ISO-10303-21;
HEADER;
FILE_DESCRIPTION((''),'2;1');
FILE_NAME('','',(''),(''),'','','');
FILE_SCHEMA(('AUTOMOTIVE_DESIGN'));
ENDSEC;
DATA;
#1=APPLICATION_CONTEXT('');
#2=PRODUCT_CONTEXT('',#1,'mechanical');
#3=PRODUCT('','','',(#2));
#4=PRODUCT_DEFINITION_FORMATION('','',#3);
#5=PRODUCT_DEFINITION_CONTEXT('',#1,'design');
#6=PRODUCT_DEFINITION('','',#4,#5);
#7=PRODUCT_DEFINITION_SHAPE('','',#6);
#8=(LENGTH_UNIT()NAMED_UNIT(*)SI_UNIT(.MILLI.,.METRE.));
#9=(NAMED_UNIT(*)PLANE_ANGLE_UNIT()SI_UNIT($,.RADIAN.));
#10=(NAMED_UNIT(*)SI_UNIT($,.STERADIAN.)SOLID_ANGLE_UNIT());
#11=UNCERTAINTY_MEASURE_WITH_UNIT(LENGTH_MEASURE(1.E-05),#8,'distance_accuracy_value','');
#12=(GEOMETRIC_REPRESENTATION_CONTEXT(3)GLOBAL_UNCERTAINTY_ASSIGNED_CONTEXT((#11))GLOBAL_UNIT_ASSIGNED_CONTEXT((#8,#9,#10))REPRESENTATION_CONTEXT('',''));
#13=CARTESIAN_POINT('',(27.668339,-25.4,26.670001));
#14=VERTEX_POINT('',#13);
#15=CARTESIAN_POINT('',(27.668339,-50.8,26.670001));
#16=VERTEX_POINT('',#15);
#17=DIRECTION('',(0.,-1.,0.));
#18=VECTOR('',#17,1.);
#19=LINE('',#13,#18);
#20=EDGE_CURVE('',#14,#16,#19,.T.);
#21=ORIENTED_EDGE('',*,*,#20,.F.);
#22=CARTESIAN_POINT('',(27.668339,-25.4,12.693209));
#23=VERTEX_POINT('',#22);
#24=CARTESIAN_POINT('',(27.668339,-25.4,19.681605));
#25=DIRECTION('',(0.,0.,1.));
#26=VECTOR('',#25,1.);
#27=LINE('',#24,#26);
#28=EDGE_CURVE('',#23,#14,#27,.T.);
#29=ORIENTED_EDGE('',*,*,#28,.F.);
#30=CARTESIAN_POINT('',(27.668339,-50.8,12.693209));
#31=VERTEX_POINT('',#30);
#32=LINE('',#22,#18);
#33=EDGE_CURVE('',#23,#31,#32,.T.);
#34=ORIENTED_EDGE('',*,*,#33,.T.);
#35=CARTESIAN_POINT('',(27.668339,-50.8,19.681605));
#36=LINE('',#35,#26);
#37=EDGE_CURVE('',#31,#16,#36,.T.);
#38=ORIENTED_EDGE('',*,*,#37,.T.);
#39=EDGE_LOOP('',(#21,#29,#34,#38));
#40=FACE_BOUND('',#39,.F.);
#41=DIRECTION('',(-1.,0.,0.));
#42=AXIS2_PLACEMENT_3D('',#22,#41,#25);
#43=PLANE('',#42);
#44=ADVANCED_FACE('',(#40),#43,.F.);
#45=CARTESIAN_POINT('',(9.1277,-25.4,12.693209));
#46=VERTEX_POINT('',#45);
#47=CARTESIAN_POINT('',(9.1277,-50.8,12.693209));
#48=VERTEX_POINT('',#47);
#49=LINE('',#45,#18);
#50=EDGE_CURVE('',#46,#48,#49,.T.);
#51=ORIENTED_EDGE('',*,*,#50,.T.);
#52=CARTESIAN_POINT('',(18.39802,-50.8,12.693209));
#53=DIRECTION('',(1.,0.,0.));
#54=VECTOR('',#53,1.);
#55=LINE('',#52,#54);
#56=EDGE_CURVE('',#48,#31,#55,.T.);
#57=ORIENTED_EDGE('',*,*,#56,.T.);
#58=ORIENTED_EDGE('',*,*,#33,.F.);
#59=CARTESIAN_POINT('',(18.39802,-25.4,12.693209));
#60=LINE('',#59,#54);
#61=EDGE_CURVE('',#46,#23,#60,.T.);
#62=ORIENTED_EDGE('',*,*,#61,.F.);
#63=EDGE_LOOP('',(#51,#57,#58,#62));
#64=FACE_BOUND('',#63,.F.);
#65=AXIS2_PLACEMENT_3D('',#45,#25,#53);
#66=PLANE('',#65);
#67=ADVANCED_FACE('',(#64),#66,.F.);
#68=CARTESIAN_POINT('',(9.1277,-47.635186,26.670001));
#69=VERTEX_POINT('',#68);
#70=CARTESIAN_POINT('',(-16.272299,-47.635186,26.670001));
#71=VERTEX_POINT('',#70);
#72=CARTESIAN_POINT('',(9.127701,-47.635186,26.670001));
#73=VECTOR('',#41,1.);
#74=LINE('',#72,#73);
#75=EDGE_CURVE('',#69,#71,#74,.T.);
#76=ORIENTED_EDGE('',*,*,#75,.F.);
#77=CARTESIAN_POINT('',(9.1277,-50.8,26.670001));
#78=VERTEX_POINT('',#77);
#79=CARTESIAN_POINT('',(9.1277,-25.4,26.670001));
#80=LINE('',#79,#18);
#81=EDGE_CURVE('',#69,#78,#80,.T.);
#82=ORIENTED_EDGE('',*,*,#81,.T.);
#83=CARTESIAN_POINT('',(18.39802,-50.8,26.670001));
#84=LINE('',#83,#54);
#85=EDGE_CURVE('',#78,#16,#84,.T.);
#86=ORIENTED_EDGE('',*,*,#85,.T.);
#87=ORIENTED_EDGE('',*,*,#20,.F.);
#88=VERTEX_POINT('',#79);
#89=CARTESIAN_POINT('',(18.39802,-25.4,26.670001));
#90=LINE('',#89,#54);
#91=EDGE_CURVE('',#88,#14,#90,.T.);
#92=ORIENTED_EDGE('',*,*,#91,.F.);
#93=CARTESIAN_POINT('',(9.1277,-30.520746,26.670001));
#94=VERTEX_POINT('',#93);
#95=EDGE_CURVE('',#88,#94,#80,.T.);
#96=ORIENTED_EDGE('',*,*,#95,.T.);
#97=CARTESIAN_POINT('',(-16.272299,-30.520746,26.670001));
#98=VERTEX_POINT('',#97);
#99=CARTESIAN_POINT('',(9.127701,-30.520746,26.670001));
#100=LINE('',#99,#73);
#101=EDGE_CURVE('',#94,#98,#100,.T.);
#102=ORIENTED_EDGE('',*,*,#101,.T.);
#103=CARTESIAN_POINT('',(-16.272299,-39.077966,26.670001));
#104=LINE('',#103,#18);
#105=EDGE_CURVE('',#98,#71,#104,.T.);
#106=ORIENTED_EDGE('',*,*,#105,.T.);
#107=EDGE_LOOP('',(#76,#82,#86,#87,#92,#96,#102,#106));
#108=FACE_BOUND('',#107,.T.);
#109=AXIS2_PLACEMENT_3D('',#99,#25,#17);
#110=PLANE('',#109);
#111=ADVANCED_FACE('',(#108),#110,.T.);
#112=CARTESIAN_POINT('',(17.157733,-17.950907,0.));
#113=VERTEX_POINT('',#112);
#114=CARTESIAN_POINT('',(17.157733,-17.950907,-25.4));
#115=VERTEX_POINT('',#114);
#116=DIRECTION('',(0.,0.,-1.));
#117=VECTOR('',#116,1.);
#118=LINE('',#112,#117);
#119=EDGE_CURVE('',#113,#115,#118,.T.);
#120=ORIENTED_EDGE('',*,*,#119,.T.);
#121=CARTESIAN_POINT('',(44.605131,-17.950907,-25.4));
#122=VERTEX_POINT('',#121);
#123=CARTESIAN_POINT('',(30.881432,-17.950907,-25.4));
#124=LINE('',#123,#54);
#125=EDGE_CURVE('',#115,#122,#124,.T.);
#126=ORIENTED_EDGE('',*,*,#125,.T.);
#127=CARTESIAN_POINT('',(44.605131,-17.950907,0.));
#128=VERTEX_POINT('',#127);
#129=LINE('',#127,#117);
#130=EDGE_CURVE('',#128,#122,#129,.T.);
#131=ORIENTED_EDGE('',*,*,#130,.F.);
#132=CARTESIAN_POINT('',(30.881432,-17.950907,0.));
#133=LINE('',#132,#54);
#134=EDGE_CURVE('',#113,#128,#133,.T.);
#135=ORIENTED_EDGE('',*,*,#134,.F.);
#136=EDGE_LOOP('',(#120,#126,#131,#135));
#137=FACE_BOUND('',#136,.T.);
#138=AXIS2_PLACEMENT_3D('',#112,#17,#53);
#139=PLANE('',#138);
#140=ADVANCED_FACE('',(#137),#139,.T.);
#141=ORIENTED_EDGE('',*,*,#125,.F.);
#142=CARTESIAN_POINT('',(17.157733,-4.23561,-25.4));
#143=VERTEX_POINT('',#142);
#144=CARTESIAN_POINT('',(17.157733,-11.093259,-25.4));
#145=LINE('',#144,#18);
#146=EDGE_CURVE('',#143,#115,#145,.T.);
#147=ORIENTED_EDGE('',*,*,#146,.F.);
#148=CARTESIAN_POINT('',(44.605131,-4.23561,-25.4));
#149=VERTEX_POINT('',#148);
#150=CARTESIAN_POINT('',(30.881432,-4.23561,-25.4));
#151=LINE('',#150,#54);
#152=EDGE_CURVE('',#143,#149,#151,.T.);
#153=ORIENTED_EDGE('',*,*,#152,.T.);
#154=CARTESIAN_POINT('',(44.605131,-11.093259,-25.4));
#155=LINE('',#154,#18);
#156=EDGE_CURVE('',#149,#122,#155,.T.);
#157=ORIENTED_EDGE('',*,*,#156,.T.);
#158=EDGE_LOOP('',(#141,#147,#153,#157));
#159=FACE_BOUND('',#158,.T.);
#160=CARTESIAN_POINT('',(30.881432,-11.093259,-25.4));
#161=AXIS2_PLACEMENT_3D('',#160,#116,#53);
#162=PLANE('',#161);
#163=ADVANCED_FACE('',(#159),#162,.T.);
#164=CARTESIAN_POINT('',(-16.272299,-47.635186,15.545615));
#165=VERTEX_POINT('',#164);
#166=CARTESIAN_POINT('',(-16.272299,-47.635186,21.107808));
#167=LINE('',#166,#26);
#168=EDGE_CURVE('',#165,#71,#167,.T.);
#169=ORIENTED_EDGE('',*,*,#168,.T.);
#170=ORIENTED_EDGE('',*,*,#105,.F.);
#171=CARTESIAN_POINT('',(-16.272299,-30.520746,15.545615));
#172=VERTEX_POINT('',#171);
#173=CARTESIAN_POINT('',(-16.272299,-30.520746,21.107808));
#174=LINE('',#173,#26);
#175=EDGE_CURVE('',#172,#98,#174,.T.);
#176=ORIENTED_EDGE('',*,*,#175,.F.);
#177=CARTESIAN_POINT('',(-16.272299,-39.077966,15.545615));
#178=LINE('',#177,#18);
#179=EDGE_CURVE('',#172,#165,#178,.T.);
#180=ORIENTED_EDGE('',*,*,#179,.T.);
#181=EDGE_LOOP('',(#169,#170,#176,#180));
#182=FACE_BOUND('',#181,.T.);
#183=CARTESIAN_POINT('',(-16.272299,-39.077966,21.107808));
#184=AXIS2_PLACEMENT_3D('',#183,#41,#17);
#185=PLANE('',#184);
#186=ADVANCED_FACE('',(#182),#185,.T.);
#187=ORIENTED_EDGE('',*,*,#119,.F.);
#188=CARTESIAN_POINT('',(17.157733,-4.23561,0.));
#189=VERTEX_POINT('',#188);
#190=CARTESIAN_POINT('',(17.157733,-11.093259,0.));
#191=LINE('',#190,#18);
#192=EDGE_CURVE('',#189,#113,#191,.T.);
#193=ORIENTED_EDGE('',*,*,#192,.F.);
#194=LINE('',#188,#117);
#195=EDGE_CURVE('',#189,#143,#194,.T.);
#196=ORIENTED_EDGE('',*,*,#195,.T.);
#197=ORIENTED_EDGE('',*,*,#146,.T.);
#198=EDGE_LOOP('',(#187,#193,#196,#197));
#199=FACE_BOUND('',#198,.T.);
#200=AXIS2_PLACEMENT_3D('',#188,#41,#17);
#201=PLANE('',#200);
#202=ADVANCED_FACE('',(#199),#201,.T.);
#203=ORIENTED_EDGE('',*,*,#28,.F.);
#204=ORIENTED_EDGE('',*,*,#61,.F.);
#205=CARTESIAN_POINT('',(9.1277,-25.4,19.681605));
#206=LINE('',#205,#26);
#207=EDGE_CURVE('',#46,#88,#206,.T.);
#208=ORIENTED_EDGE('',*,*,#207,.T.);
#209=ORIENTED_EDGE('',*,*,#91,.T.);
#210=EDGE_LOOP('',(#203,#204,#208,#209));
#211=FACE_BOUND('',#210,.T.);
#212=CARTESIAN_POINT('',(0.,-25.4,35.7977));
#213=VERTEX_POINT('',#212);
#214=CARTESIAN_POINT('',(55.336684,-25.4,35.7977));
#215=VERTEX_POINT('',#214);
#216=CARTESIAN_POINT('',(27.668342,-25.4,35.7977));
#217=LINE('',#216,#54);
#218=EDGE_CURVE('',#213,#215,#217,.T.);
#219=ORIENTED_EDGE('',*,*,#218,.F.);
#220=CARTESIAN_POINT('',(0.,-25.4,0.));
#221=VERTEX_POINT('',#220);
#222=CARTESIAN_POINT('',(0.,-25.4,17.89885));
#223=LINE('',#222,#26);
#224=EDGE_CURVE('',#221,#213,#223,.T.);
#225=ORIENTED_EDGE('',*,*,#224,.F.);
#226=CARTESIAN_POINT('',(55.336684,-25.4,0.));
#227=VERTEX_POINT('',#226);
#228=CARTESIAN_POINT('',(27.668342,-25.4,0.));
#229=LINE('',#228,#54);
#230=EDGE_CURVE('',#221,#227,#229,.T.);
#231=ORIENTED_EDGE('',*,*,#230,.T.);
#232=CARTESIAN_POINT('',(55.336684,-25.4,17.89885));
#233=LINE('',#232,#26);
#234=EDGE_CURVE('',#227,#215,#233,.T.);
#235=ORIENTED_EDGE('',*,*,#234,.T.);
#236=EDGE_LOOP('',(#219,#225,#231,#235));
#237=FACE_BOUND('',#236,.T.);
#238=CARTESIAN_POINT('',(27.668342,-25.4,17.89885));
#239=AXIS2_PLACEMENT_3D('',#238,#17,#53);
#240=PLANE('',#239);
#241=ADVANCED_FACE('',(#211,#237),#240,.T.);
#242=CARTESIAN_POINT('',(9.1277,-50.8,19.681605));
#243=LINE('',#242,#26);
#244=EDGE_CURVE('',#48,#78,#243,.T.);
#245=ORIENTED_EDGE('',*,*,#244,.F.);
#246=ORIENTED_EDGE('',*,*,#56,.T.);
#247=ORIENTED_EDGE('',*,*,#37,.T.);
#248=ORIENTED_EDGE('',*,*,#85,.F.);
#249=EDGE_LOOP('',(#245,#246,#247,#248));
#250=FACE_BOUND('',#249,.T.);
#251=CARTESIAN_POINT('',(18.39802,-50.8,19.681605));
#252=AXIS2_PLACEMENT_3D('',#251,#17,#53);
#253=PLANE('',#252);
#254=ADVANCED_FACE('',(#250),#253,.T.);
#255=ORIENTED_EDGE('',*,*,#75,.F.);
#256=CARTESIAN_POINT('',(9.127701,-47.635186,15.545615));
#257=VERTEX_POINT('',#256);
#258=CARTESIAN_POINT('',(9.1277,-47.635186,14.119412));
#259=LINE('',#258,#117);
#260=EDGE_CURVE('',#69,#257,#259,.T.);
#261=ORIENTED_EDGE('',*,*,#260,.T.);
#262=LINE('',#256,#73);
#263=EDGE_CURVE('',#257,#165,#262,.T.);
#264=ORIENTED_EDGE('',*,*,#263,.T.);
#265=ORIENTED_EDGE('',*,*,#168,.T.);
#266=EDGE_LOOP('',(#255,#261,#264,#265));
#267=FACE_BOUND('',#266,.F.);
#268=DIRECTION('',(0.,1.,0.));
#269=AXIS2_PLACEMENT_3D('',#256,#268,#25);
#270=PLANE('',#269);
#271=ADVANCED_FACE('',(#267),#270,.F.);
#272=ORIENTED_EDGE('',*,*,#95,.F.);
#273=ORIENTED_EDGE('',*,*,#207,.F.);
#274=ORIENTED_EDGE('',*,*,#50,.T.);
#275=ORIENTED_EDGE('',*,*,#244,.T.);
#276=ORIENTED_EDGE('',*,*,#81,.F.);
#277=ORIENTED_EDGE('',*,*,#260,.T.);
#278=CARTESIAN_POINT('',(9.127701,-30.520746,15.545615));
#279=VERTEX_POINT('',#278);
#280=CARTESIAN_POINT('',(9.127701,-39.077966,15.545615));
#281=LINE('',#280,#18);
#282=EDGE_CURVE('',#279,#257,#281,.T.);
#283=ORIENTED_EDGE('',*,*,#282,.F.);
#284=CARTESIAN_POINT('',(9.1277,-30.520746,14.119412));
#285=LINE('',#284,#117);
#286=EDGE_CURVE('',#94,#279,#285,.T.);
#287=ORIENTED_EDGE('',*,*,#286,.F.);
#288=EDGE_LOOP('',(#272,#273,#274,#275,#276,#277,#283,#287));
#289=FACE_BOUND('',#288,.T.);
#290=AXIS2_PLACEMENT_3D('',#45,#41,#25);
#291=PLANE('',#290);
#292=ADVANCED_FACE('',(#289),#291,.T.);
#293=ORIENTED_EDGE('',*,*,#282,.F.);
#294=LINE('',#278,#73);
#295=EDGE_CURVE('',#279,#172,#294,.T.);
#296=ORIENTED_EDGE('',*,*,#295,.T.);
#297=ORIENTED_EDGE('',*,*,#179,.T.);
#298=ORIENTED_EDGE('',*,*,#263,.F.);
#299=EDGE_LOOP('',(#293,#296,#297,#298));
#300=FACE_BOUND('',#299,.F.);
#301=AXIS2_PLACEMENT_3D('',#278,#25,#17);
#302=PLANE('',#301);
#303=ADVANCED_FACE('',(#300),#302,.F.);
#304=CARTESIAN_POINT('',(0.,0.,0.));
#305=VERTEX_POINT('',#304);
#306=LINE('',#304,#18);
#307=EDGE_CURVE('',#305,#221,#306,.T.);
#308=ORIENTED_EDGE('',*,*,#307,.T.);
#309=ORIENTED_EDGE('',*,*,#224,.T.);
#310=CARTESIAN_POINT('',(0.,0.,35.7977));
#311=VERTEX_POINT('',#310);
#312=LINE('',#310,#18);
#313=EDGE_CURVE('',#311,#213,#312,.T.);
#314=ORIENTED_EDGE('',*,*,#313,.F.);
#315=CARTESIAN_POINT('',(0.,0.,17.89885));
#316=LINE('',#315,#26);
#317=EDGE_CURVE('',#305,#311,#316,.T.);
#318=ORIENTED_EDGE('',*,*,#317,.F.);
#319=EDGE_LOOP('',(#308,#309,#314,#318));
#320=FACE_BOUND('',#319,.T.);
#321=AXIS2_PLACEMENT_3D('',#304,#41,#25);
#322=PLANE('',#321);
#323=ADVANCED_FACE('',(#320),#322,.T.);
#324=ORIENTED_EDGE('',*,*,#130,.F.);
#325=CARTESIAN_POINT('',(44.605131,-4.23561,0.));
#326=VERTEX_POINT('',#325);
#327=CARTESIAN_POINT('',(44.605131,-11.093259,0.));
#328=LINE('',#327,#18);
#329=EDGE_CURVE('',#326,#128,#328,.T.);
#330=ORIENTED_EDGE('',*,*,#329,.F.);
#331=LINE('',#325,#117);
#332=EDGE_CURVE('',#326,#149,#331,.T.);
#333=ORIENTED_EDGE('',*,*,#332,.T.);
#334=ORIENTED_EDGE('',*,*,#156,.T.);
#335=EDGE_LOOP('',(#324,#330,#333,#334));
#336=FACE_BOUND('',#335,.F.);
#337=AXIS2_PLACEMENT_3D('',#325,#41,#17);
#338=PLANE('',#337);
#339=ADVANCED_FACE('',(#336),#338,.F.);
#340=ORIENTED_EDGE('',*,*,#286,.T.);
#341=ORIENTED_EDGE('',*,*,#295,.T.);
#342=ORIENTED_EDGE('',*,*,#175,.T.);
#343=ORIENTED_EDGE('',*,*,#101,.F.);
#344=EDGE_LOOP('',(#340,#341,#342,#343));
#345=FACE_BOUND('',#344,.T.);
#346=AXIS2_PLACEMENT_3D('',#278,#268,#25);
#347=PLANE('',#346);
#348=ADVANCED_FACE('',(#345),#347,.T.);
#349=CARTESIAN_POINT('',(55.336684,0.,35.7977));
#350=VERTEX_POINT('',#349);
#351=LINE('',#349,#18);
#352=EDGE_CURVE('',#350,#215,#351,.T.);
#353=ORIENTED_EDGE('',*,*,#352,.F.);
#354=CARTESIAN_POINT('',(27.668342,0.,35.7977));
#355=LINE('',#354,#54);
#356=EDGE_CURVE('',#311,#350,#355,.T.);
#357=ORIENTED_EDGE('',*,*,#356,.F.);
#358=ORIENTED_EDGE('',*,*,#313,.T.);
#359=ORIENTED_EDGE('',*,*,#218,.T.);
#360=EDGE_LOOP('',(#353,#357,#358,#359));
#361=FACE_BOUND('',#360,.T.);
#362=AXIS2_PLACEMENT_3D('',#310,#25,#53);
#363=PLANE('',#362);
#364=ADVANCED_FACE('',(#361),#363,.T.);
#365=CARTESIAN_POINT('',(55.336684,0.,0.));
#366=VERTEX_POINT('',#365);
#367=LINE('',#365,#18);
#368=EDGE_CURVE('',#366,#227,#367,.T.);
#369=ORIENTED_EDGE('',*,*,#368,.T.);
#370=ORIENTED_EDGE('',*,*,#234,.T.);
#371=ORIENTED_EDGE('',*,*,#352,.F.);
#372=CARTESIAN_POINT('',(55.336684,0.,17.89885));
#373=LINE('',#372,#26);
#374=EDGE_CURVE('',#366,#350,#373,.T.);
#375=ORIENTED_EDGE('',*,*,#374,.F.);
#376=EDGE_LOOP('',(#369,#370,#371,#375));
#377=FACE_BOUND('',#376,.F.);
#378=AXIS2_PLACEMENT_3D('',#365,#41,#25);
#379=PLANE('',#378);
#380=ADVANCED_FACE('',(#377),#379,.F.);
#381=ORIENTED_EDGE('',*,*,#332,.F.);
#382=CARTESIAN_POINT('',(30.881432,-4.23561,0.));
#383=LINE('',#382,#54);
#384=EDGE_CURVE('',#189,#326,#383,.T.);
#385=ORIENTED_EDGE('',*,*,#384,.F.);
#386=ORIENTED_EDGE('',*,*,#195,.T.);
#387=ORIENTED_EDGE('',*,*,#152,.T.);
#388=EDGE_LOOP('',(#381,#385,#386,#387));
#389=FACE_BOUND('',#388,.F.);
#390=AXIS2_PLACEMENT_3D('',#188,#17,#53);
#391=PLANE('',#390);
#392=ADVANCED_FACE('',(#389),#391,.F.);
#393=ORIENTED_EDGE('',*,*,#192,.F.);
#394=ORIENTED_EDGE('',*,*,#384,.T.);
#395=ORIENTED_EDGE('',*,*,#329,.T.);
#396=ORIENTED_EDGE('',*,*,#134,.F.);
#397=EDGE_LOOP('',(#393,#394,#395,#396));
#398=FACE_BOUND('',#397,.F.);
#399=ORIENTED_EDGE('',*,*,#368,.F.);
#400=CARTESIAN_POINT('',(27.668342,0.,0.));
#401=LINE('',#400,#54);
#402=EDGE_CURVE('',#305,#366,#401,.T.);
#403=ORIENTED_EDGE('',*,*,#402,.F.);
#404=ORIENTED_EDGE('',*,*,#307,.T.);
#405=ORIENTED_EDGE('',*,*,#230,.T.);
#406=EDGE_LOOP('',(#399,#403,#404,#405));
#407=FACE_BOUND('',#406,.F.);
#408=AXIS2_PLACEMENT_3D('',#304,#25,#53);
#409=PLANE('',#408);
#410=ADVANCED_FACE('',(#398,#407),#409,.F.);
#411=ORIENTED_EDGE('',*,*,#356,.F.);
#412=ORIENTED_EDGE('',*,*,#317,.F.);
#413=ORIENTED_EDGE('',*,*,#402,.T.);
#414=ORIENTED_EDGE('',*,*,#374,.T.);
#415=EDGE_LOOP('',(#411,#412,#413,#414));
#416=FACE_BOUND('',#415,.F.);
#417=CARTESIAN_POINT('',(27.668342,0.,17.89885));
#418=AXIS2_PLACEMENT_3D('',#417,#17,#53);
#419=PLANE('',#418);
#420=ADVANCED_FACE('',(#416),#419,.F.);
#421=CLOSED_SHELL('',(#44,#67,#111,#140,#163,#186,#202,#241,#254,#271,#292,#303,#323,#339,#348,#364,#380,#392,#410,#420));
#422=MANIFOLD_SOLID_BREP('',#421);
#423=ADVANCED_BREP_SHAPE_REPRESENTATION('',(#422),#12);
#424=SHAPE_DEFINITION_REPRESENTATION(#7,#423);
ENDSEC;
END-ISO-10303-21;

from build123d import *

# Parameters (mm, degrees)
F0_W     = 55.336684
F0_H     = 35.7977
F1_DEPTH = 25.4
F2_W     = 18.540639
F2_H     = 13.976792
F3_DEPTH = 25.4
F4_W     = 17.11444
F4_H     = 11.124386
F5_DEPTH = 25.4
F6_W     = 27.447399
F6_H     = 13.715297
F7_DEPTH = 25.4


with BuildPart() as f1:
    # F0 (on Front) → F1 (new body)
    with BuildSketch(Plane.XZ):
        with Locations((27.668342, 17.89885)):
            Rectangle(F0_W, F0_H)
    extrude(amount=F1_DEPTH)

    # F2 (on face) → F3 (join)
    with BuildSketch(Plane.XZ.offset(25.4)):
        with Locations((18.39802, 19.681605)):
            Rectangle(F2_W, F2_H)
    extrude(amount=F3_DEPTH)

    # F4 (on face) → F5 (join)
    with BuildSketch(Plane(origin=(9.127701, 0, 0), x_dir=(0, -1, 0), z_dir=(-1, 0, 0))):
        with Locations((39.077966, 21.107808)):
            Rectangle(F4_W, F4_H)
    extrude(amount=F5_DEPTH)

    # F6 (on face) → F7 (join)
    with BuildSketch(Plane(origin=(0, 0, 0), x_dir=(1, 0, 0), z_dir=(0, 0, -1))):
        with Locations((30.881432, 11.093259)):
            Rectangle(F6_W, F6_H)
    extrude(amount=F7_DEPTH)


solid = f1.part
